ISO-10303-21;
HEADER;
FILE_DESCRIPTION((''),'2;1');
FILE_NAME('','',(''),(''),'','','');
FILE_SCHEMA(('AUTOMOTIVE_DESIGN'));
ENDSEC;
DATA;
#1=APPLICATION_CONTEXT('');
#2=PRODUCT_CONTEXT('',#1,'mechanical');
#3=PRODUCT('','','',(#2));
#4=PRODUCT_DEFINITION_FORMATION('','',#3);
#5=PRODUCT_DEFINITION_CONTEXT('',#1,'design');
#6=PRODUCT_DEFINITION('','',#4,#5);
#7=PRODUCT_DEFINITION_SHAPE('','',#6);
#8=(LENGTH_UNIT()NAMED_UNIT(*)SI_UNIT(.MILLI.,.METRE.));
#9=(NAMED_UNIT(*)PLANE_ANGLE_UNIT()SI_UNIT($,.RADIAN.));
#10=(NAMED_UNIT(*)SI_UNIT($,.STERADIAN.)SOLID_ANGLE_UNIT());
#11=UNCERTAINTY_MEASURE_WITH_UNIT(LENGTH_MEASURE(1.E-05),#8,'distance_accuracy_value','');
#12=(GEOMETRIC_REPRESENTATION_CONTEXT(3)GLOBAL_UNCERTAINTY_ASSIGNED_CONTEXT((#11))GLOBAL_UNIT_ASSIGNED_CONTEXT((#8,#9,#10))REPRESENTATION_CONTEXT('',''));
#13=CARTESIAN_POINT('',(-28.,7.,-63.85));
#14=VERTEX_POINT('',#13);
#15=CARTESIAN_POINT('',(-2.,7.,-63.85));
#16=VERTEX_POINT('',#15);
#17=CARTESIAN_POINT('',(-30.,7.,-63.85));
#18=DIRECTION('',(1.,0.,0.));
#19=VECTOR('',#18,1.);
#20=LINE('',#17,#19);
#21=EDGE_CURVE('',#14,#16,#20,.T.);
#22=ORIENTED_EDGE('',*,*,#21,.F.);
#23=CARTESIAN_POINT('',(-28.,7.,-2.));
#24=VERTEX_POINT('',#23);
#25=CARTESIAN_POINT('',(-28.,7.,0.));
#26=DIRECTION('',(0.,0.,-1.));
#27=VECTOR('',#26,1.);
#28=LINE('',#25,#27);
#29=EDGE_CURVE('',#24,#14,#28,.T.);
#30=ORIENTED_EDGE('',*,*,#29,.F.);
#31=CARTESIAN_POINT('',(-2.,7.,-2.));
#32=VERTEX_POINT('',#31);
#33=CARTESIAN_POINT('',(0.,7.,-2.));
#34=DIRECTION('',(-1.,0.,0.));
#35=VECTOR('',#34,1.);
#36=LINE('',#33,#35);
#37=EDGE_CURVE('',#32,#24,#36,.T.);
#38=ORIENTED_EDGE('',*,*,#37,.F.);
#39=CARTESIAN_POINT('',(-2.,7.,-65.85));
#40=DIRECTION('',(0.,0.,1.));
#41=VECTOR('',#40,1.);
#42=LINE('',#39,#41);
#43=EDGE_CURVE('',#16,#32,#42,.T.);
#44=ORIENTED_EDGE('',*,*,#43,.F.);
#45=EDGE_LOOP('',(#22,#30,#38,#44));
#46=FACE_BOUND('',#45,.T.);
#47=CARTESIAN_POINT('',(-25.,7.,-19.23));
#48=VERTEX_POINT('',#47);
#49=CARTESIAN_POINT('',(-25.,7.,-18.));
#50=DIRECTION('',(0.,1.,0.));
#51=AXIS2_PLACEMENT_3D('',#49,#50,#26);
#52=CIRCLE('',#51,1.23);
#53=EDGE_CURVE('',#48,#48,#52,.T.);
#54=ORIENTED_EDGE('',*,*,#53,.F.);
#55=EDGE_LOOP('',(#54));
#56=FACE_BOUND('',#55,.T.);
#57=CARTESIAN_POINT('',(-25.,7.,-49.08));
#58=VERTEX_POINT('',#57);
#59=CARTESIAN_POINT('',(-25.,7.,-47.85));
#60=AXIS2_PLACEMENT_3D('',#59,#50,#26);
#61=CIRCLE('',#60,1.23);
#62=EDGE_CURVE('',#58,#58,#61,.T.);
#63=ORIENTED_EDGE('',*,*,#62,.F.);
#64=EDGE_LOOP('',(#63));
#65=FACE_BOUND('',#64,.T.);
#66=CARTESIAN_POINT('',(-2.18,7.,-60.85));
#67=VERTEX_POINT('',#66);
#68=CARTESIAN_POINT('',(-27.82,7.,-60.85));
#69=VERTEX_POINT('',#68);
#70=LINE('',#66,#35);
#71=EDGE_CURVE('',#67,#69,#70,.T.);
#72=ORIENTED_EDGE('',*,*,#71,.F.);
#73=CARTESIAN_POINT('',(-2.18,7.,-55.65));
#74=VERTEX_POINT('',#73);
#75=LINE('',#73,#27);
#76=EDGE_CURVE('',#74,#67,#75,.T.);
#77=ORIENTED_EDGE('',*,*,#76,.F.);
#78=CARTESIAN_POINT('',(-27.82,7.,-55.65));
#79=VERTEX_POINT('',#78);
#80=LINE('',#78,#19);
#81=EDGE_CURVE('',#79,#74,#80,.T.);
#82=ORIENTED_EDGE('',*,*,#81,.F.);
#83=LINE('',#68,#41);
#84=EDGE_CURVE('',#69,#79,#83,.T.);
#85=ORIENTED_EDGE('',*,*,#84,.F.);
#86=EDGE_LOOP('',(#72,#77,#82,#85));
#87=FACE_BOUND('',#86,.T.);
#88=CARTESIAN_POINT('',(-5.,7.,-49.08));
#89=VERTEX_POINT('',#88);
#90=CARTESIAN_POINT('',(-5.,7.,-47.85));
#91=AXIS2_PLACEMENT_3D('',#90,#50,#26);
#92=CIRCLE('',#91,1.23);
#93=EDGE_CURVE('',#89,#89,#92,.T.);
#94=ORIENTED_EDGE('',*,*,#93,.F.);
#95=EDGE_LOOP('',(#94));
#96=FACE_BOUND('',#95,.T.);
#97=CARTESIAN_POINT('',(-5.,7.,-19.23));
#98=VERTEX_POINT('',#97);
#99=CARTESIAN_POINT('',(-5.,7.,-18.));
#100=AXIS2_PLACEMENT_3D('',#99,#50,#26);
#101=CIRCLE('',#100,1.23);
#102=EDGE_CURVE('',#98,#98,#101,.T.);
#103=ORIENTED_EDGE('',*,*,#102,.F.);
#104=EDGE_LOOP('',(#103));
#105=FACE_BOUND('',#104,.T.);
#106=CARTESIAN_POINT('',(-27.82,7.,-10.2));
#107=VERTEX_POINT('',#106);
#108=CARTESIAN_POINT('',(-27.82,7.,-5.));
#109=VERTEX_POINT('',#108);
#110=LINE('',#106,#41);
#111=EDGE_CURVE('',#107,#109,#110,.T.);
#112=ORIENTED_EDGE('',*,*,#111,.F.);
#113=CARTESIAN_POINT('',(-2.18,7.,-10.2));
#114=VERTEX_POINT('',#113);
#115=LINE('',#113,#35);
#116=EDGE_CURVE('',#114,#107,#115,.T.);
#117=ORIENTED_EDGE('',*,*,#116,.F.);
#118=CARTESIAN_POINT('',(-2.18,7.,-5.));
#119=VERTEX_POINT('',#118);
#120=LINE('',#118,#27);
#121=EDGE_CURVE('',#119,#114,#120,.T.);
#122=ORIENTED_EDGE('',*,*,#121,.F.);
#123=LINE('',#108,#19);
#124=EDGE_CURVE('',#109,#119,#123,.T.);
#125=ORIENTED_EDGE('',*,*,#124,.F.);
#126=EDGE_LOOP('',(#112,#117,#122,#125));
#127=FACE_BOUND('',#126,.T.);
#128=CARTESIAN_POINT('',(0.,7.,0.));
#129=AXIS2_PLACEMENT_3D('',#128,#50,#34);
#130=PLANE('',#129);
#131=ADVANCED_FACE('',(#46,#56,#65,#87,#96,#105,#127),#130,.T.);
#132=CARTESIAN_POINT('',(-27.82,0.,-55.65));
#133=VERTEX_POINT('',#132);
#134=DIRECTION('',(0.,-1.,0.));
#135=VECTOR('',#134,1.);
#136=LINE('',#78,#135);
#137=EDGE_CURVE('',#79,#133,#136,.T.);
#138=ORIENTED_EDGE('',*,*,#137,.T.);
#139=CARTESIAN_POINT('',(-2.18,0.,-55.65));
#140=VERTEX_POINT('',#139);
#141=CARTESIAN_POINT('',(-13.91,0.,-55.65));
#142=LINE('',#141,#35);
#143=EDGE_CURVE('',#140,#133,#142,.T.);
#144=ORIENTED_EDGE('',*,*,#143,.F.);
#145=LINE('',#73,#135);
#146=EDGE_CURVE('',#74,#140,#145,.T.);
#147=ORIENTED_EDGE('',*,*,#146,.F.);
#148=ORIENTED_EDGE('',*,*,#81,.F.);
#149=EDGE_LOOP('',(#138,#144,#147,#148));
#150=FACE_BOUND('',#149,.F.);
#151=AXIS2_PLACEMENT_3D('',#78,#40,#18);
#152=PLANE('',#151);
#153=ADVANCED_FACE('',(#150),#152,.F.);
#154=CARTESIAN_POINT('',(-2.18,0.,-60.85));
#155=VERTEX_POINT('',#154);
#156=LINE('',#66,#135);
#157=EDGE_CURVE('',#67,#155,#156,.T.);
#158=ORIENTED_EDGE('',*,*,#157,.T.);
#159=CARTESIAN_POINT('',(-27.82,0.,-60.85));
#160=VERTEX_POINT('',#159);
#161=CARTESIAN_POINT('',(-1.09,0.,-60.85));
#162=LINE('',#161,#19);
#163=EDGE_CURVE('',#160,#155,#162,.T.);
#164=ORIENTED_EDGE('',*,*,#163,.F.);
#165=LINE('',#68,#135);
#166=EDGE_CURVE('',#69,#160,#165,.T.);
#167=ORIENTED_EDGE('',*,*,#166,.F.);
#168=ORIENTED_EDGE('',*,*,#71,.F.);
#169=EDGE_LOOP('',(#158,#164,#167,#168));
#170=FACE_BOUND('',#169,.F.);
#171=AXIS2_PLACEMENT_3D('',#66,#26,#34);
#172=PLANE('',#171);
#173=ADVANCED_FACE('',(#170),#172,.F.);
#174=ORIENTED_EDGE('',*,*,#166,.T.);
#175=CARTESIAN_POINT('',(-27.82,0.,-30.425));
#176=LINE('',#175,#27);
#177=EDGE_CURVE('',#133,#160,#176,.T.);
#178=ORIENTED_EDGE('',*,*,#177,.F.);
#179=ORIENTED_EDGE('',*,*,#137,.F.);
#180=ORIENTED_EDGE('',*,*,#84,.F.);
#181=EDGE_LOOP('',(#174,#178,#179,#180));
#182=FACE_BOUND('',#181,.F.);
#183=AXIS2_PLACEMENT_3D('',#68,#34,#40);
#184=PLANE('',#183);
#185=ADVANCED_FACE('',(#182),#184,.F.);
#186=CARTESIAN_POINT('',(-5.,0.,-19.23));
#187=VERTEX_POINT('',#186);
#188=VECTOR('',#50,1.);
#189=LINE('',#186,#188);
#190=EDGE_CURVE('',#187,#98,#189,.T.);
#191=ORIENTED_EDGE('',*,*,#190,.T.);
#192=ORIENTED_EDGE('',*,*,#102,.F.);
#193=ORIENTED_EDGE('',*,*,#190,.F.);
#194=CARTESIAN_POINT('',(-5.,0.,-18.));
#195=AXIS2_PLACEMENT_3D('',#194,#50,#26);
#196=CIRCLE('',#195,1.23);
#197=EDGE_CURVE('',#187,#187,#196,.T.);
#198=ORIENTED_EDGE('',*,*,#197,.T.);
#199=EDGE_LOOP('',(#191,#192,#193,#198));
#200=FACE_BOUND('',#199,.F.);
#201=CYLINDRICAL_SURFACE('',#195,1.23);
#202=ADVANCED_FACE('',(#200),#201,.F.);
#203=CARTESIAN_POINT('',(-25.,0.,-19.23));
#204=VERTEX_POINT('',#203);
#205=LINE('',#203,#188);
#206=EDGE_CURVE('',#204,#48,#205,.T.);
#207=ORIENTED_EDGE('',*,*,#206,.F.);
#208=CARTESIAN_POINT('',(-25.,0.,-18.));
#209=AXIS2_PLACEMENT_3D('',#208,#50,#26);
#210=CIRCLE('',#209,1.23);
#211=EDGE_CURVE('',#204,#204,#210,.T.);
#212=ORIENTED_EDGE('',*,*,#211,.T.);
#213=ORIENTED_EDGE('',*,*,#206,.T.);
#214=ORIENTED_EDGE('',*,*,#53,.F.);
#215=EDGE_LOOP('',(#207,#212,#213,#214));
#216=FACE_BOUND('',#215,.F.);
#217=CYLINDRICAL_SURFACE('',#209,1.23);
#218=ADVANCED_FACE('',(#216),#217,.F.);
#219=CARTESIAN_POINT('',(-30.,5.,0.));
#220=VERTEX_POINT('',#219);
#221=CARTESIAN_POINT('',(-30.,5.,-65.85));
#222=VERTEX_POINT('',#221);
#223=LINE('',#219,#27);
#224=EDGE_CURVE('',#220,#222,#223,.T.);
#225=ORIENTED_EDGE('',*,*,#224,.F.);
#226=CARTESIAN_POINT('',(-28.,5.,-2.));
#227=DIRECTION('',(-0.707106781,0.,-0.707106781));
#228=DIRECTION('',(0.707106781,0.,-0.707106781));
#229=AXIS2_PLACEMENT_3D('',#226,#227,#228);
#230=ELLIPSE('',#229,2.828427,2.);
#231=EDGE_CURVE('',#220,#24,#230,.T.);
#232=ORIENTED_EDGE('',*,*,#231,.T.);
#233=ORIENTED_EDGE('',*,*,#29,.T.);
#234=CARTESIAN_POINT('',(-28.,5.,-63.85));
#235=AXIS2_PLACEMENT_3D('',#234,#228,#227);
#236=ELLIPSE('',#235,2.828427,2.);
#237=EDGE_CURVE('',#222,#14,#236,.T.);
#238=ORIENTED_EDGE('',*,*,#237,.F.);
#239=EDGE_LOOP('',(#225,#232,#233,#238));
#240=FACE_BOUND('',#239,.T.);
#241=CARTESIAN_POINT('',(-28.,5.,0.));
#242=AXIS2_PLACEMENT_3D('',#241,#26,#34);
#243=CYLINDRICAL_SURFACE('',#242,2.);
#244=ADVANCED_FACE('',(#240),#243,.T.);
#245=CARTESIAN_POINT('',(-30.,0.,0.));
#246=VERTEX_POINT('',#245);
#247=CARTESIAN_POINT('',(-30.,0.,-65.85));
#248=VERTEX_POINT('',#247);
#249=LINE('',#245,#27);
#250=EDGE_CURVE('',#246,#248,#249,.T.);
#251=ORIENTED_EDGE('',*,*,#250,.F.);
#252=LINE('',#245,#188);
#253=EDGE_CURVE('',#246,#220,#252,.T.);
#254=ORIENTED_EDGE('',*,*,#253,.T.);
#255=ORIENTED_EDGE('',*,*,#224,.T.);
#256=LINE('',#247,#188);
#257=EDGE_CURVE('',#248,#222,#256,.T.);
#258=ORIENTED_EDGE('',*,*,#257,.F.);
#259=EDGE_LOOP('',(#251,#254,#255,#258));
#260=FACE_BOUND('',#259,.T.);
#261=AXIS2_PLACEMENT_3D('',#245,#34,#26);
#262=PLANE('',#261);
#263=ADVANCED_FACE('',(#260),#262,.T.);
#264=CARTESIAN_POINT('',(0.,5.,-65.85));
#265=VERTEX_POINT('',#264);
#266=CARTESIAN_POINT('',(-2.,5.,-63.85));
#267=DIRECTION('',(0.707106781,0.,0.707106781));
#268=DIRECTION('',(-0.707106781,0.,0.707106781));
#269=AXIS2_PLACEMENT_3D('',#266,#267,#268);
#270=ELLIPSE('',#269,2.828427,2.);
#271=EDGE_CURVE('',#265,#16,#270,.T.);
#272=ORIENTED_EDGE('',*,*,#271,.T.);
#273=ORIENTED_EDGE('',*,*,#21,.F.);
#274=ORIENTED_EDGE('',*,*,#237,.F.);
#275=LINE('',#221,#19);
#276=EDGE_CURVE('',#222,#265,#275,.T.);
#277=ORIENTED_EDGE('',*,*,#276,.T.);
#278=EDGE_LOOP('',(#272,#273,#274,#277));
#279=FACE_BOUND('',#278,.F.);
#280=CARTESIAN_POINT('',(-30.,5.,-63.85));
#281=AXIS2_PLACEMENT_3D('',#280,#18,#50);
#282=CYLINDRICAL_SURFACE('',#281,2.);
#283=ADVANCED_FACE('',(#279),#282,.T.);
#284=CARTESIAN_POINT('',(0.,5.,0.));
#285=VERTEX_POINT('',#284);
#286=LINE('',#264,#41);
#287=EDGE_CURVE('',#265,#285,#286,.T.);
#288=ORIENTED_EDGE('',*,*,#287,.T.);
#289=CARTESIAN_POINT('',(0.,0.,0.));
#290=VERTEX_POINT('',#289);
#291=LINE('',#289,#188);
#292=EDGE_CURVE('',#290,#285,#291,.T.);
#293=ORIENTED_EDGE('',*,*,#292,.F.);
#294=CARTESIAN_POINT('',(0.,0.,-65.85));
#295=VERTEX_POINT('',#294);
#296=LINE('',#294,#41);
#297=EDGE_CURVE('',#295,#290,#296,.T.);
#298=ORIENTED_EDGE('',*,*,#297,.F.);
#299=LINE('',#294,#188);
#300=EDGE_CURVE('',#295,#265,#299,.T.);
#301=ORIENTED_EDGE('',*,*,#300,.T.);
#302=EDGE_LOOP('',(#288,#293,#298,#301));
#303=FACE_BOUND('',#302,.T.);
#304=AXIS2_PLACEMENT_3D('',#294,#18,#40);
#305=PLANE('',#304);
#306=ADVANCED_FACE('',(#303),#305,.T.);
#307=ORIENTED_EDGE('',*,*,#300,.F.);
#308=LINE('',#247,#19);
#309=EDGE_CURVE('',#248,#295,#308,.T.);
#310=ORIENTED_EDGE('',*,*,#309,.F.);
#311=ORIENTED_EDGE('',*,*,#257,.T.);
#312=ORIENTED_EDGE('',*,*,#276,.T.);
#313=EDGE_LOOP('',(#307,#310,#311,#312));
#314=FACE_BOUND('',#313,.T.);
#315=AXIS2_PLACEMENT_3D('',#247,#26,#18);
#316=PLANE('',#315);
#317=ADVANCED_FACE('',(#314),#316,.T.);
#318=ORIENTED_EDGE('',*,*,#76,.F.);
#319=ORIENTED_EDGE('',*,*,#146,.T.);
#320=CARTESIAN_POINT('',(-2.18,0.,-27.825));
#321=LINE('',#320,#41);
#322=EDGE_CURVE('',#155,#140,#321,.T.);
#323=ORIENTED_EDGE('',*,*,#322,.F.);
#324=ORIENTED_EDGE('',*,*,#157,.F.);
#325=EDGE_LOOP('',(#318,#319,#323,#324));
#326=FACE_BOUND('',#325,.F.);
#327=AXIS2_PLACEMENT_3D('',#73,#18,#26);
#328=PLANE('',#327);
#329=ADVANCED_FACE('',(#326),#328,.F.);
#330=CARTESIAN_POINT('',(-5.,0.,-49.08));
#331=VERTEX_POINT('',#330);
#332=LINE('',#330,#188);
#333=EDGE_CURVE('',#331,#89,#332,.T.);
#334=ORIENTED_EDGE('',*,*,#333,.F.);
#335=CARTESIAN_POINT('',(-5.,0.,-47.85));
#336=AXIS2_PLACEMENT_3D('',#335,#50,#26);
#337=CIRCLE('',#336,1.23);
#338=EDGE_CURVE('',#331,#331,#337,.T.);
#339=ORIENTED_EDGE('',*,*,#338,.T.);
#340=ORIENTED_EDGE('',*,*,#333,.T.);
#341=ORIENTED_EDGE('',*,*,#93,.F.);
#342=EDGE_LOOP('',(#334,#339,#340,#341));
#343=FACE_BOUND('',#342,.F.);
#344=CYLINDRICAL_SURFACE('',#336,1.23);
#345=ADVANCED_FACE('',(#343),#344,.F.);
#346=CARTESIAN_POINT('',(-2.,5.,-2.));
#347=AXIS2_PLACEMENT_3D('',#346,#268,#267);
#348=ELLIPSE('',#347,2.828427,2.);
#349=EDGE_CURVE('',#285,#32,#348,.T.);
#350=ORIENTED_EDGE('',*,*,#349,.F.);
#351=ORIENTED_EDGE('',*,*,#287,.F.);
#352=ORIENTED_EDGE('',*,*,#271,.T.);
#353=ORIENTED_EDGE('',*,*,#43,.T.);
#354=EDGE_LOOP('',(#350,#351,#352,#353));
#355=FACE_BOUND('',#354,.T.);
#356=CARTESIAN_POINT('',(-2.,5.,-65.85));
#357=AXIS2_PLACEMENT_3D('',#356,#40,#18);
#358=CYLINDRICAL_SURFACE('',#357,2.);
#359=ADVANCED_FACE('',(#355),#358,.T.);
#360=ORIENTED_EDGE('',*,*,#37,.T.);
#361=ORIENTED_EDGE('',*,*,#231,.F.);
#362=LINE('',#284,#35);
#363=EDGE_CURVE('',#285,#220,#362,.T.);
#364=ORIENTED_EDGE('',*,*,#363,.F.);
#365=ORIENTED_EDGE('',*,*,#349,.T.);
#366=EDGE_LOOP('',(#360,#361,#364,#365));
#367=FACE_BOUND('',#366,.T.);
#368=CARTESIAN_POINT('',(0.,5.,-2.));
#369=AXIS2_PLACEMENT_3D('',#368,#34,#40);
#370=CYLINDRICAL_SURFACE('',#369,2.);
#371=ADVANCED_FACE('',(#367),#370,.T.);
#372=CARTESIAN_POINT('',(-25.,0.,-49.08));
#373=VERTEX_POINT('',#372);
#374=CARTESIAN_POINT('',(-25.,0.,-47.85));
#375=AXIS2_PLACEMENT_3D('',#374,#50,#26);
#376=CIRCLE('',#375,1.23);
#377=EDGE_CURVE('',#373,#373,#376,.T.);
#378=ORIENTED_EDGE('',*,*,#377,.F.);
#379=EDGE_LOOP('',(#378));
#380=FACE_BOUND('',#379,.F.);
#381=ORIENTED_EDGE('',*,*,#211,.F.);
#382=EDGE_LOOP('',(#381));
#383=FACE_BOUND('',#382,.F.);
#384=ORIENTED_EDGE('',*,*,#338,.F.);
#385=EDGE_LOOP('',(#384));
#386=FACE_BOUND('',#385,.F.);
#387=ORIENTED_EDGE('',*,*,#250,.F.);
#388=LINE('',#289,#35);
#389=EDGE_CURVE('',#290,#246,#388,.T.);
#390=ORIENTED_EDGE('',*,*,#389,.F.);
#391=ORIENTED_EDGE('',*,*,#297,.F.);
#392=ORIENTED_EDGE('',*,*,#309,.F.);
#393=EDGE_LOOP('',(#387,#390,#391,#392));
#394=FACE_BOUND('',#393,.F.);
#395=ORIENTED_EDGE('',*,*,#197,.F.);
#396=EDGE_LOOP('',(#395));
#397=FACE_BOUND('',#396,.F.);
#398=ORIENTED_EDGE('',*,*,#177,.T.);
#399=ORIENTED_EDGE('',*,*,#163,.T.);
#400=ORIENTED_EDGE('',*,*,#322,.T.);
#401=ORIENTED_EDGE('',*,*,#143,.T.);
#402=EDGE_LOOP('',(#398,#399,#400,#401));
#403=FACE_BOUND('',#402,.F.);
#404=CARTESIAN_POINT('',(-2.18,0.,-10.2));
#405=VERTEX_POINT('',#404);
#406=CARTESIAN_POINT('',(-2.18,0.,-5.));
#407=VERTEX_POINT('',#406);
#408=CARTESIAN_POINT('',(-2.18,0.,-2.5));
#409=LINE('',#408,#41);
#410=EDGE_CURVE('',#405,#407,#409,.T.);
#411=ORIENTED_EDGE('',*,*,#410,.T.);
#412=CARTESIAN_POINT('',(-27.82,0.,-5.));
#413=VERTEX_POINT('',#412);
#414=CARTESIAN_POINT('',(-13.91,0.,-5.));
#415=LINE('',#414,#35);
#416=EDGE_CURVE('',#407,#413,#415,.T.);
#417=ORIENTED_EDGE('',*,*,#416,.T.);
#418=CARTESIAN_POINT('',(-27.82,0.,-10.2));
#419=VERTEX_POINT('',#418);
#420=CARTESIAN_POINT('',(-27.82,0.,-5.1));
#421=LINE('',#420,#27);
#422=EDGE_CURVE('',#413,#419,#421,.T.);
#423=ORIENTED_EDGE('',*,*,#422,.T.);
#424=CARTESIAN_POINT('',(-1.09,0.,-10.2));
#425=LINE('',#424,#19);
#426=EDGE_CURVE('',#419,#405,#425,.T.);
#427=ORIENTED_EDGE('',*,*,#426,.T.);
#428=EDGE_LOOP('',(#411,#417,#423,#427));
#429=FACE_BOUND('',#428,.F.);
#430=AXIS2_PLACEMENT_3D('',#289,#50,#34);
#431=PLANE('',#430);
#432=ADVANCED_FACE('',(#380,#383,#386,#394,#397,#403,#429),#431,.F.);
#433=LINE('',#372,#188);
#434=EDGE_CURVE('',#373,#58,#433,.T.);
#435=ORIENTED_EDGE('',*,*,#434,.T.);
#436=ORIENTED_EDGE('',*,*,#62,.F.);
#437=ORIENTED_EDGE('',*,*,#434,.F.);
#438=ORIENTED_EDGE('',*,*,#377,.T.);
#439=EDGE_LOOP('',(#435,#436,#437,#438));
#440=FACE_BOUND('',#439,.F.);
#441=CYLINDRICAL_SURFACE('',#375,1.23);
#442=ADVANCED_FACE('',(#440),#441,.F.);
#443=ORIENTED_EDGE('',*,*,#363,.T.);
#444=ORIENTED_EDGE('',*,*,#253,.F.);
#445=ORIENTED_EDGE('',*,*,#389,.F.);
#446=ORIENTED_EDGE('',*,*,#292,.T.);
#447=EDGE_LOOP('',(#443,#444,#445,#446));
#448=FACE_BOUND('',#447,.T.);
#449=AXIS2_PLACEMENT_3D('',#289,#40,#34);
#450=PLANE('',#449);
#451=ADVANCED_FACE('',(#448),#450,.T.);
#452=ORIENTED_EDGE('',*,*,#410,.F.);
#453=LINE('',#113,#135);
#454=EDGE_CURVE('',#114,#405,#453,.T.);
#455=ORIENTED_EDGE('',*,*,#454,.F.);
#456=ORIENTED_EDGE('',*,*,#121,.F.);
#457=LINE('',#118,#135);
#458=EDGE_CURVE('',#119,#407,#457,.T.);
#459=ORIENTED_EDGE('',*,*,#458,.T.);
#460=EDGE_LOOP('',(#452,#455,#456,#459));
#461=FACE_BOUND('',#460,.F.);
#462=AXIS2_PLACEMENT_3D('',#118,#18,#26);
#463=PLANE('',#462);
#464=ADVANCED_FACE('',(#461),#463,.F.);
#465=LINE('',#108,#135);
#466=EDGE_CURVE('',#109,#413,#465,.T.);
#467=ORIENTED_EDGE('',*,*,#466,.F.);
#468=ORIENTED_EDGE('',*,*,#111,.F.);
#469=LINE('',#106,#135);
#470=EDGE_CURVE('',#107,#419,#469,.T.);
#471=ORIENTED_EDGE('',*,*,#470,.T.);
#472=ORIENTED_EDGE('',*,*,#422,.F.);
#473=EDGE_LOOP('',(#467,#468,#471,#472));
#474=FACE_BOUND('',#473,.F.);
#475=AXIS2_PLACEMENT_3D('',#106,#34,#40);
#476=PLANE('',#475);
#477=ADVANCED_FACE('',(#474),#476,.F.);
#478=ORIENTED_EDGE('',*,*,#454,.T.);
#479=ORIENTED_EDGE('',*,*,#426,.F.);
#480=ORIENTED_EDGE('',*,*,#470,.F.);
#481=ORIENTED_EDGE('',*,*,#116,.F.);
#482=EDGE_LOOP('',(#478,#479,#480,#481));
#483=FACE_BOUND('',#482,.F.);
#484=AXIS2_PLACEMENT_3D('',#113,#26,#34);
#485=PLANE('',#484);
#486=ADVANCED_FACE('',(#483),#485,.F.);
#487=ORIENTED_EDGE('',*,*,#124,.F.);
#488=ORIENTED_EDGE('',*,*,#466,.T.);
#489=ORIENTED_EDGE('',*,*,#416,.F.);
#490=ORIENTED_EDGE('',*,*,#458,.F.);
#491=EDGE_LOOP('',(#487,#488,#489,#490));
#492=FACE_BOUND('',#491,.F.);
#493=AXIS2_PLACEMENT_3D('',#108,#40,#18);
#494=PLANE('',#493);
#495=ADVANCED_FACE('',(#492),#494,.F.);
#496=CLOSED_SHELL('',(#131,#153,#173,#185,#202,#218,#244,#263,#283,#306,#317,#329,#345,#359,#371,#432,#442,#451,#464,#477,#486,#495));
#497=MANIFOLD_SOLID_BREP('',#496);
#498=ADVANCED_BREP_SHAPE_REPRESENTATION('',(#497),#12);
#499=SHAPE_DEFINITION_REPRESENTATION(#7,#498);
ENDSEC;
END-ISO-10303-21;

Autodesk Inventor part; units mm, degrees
ref_plane "YZ Plane" through (0, 0, 0) normal (1, 0, 0) x (0, 1, 0)
ref_plane "XZ Plane" through (0, 0, 0) normal (0, 1, 0) x (-1, 0, 0)
ref_plane "XY Plane" through (0, 0, 0) normal (0, 0, 1) x (1, 0, 0)
sketch "Sketch1" plane through (0, 0, 0) normal (0, 1, 0) x (-1, 0, 0)
  line L0 (0, 0) -> (30, 0)
  line L1 (30, 0) -> (30, -65.85)
  line L2 (30, -65.85) -> (0, -65.85)
  line L3 (0, -65.85) -> (0, 0)
  dimension "d0" = 30
  dimension "d1" = 65.85
extrude "Extrusion1" add sketch "Sketch1" along normal blind 7
sketch "Sketch2" plane through (0, 7, 0) normal (0, 1, 0) x (1, 0, 0)
  line L0 (-27.82, 5) -> (-2.18, 5)
  line L1 (-2.18, 5) -> (-2.18, 10.2)
  line L2 (-2.18, 10.2) -> (-27.82, 10.2)
  line L3 (-27.82, 10.2) -> (-27.82, 5)
  line L4 (-27.82, 55.65) -> (-2.18, 55.65)
  line L5 (-2.18, 55.65) -> (-2.18, 60.85)
  line L6 (-2.18, 60.85) -> (-27.82, 60.85)
  line L7 (-27.82, 60.85) -> (-27.82, 55.65)
  line L8 (-30, 0) -> (0, 0) projected
  line L9 (-15, 10.2) -> (-15, 55.65) construction
  line L10 (-30, 65.85) -> (-30, 0) construction
  line L11 (0, 65.85) -> (-30, 65.85) construction
  point P0 (-15, 5)
  point P1 (-15, 0)
  point P2 (-15, 32.925)
  point P3 (-30, 32.925)
  dimension "d4" = 25.64
  dimension "d5" = 5.2
  dimension "d6" = 5
extrude "Extrusion2" cut sketch "Sketch2" against normal up to next
sketch "Sketch3" plane through (0, 0, 0) normal (0, -1, 0) x (1, 0, 0)
  line L0 (-25, -47.85) -> (-5, -18) construction
  line L1 (-30, -65.85) -> (0, -65.85) construction
  line L2 (0, -65.85) -> (0, 0) construction
  point P0 (-25, -18)
  point P1 (-5, -47.85)
  point P2 (-15, -32.925)
  point P3 (-15, -65.85)
  point P4 (0, -32.925)
  dimension "d9" = 29.85
  dimension "d10" = 20
hole "Hole1" at (-25, 0, -47.85) at (-25, 0, -18) at (-5, 0, -18) at (-5, 0, -47.85) direction (0, 1, 0) diameter 2.46 end through all
fillet "Fillet1" radius 2 4 edges at (-30, 7, -32.925) (0, 7, -32.925) (-15, 7, -65.85) (-15, 7, 0)
properties part number "Tilt_Camera_Mount_Plate"
